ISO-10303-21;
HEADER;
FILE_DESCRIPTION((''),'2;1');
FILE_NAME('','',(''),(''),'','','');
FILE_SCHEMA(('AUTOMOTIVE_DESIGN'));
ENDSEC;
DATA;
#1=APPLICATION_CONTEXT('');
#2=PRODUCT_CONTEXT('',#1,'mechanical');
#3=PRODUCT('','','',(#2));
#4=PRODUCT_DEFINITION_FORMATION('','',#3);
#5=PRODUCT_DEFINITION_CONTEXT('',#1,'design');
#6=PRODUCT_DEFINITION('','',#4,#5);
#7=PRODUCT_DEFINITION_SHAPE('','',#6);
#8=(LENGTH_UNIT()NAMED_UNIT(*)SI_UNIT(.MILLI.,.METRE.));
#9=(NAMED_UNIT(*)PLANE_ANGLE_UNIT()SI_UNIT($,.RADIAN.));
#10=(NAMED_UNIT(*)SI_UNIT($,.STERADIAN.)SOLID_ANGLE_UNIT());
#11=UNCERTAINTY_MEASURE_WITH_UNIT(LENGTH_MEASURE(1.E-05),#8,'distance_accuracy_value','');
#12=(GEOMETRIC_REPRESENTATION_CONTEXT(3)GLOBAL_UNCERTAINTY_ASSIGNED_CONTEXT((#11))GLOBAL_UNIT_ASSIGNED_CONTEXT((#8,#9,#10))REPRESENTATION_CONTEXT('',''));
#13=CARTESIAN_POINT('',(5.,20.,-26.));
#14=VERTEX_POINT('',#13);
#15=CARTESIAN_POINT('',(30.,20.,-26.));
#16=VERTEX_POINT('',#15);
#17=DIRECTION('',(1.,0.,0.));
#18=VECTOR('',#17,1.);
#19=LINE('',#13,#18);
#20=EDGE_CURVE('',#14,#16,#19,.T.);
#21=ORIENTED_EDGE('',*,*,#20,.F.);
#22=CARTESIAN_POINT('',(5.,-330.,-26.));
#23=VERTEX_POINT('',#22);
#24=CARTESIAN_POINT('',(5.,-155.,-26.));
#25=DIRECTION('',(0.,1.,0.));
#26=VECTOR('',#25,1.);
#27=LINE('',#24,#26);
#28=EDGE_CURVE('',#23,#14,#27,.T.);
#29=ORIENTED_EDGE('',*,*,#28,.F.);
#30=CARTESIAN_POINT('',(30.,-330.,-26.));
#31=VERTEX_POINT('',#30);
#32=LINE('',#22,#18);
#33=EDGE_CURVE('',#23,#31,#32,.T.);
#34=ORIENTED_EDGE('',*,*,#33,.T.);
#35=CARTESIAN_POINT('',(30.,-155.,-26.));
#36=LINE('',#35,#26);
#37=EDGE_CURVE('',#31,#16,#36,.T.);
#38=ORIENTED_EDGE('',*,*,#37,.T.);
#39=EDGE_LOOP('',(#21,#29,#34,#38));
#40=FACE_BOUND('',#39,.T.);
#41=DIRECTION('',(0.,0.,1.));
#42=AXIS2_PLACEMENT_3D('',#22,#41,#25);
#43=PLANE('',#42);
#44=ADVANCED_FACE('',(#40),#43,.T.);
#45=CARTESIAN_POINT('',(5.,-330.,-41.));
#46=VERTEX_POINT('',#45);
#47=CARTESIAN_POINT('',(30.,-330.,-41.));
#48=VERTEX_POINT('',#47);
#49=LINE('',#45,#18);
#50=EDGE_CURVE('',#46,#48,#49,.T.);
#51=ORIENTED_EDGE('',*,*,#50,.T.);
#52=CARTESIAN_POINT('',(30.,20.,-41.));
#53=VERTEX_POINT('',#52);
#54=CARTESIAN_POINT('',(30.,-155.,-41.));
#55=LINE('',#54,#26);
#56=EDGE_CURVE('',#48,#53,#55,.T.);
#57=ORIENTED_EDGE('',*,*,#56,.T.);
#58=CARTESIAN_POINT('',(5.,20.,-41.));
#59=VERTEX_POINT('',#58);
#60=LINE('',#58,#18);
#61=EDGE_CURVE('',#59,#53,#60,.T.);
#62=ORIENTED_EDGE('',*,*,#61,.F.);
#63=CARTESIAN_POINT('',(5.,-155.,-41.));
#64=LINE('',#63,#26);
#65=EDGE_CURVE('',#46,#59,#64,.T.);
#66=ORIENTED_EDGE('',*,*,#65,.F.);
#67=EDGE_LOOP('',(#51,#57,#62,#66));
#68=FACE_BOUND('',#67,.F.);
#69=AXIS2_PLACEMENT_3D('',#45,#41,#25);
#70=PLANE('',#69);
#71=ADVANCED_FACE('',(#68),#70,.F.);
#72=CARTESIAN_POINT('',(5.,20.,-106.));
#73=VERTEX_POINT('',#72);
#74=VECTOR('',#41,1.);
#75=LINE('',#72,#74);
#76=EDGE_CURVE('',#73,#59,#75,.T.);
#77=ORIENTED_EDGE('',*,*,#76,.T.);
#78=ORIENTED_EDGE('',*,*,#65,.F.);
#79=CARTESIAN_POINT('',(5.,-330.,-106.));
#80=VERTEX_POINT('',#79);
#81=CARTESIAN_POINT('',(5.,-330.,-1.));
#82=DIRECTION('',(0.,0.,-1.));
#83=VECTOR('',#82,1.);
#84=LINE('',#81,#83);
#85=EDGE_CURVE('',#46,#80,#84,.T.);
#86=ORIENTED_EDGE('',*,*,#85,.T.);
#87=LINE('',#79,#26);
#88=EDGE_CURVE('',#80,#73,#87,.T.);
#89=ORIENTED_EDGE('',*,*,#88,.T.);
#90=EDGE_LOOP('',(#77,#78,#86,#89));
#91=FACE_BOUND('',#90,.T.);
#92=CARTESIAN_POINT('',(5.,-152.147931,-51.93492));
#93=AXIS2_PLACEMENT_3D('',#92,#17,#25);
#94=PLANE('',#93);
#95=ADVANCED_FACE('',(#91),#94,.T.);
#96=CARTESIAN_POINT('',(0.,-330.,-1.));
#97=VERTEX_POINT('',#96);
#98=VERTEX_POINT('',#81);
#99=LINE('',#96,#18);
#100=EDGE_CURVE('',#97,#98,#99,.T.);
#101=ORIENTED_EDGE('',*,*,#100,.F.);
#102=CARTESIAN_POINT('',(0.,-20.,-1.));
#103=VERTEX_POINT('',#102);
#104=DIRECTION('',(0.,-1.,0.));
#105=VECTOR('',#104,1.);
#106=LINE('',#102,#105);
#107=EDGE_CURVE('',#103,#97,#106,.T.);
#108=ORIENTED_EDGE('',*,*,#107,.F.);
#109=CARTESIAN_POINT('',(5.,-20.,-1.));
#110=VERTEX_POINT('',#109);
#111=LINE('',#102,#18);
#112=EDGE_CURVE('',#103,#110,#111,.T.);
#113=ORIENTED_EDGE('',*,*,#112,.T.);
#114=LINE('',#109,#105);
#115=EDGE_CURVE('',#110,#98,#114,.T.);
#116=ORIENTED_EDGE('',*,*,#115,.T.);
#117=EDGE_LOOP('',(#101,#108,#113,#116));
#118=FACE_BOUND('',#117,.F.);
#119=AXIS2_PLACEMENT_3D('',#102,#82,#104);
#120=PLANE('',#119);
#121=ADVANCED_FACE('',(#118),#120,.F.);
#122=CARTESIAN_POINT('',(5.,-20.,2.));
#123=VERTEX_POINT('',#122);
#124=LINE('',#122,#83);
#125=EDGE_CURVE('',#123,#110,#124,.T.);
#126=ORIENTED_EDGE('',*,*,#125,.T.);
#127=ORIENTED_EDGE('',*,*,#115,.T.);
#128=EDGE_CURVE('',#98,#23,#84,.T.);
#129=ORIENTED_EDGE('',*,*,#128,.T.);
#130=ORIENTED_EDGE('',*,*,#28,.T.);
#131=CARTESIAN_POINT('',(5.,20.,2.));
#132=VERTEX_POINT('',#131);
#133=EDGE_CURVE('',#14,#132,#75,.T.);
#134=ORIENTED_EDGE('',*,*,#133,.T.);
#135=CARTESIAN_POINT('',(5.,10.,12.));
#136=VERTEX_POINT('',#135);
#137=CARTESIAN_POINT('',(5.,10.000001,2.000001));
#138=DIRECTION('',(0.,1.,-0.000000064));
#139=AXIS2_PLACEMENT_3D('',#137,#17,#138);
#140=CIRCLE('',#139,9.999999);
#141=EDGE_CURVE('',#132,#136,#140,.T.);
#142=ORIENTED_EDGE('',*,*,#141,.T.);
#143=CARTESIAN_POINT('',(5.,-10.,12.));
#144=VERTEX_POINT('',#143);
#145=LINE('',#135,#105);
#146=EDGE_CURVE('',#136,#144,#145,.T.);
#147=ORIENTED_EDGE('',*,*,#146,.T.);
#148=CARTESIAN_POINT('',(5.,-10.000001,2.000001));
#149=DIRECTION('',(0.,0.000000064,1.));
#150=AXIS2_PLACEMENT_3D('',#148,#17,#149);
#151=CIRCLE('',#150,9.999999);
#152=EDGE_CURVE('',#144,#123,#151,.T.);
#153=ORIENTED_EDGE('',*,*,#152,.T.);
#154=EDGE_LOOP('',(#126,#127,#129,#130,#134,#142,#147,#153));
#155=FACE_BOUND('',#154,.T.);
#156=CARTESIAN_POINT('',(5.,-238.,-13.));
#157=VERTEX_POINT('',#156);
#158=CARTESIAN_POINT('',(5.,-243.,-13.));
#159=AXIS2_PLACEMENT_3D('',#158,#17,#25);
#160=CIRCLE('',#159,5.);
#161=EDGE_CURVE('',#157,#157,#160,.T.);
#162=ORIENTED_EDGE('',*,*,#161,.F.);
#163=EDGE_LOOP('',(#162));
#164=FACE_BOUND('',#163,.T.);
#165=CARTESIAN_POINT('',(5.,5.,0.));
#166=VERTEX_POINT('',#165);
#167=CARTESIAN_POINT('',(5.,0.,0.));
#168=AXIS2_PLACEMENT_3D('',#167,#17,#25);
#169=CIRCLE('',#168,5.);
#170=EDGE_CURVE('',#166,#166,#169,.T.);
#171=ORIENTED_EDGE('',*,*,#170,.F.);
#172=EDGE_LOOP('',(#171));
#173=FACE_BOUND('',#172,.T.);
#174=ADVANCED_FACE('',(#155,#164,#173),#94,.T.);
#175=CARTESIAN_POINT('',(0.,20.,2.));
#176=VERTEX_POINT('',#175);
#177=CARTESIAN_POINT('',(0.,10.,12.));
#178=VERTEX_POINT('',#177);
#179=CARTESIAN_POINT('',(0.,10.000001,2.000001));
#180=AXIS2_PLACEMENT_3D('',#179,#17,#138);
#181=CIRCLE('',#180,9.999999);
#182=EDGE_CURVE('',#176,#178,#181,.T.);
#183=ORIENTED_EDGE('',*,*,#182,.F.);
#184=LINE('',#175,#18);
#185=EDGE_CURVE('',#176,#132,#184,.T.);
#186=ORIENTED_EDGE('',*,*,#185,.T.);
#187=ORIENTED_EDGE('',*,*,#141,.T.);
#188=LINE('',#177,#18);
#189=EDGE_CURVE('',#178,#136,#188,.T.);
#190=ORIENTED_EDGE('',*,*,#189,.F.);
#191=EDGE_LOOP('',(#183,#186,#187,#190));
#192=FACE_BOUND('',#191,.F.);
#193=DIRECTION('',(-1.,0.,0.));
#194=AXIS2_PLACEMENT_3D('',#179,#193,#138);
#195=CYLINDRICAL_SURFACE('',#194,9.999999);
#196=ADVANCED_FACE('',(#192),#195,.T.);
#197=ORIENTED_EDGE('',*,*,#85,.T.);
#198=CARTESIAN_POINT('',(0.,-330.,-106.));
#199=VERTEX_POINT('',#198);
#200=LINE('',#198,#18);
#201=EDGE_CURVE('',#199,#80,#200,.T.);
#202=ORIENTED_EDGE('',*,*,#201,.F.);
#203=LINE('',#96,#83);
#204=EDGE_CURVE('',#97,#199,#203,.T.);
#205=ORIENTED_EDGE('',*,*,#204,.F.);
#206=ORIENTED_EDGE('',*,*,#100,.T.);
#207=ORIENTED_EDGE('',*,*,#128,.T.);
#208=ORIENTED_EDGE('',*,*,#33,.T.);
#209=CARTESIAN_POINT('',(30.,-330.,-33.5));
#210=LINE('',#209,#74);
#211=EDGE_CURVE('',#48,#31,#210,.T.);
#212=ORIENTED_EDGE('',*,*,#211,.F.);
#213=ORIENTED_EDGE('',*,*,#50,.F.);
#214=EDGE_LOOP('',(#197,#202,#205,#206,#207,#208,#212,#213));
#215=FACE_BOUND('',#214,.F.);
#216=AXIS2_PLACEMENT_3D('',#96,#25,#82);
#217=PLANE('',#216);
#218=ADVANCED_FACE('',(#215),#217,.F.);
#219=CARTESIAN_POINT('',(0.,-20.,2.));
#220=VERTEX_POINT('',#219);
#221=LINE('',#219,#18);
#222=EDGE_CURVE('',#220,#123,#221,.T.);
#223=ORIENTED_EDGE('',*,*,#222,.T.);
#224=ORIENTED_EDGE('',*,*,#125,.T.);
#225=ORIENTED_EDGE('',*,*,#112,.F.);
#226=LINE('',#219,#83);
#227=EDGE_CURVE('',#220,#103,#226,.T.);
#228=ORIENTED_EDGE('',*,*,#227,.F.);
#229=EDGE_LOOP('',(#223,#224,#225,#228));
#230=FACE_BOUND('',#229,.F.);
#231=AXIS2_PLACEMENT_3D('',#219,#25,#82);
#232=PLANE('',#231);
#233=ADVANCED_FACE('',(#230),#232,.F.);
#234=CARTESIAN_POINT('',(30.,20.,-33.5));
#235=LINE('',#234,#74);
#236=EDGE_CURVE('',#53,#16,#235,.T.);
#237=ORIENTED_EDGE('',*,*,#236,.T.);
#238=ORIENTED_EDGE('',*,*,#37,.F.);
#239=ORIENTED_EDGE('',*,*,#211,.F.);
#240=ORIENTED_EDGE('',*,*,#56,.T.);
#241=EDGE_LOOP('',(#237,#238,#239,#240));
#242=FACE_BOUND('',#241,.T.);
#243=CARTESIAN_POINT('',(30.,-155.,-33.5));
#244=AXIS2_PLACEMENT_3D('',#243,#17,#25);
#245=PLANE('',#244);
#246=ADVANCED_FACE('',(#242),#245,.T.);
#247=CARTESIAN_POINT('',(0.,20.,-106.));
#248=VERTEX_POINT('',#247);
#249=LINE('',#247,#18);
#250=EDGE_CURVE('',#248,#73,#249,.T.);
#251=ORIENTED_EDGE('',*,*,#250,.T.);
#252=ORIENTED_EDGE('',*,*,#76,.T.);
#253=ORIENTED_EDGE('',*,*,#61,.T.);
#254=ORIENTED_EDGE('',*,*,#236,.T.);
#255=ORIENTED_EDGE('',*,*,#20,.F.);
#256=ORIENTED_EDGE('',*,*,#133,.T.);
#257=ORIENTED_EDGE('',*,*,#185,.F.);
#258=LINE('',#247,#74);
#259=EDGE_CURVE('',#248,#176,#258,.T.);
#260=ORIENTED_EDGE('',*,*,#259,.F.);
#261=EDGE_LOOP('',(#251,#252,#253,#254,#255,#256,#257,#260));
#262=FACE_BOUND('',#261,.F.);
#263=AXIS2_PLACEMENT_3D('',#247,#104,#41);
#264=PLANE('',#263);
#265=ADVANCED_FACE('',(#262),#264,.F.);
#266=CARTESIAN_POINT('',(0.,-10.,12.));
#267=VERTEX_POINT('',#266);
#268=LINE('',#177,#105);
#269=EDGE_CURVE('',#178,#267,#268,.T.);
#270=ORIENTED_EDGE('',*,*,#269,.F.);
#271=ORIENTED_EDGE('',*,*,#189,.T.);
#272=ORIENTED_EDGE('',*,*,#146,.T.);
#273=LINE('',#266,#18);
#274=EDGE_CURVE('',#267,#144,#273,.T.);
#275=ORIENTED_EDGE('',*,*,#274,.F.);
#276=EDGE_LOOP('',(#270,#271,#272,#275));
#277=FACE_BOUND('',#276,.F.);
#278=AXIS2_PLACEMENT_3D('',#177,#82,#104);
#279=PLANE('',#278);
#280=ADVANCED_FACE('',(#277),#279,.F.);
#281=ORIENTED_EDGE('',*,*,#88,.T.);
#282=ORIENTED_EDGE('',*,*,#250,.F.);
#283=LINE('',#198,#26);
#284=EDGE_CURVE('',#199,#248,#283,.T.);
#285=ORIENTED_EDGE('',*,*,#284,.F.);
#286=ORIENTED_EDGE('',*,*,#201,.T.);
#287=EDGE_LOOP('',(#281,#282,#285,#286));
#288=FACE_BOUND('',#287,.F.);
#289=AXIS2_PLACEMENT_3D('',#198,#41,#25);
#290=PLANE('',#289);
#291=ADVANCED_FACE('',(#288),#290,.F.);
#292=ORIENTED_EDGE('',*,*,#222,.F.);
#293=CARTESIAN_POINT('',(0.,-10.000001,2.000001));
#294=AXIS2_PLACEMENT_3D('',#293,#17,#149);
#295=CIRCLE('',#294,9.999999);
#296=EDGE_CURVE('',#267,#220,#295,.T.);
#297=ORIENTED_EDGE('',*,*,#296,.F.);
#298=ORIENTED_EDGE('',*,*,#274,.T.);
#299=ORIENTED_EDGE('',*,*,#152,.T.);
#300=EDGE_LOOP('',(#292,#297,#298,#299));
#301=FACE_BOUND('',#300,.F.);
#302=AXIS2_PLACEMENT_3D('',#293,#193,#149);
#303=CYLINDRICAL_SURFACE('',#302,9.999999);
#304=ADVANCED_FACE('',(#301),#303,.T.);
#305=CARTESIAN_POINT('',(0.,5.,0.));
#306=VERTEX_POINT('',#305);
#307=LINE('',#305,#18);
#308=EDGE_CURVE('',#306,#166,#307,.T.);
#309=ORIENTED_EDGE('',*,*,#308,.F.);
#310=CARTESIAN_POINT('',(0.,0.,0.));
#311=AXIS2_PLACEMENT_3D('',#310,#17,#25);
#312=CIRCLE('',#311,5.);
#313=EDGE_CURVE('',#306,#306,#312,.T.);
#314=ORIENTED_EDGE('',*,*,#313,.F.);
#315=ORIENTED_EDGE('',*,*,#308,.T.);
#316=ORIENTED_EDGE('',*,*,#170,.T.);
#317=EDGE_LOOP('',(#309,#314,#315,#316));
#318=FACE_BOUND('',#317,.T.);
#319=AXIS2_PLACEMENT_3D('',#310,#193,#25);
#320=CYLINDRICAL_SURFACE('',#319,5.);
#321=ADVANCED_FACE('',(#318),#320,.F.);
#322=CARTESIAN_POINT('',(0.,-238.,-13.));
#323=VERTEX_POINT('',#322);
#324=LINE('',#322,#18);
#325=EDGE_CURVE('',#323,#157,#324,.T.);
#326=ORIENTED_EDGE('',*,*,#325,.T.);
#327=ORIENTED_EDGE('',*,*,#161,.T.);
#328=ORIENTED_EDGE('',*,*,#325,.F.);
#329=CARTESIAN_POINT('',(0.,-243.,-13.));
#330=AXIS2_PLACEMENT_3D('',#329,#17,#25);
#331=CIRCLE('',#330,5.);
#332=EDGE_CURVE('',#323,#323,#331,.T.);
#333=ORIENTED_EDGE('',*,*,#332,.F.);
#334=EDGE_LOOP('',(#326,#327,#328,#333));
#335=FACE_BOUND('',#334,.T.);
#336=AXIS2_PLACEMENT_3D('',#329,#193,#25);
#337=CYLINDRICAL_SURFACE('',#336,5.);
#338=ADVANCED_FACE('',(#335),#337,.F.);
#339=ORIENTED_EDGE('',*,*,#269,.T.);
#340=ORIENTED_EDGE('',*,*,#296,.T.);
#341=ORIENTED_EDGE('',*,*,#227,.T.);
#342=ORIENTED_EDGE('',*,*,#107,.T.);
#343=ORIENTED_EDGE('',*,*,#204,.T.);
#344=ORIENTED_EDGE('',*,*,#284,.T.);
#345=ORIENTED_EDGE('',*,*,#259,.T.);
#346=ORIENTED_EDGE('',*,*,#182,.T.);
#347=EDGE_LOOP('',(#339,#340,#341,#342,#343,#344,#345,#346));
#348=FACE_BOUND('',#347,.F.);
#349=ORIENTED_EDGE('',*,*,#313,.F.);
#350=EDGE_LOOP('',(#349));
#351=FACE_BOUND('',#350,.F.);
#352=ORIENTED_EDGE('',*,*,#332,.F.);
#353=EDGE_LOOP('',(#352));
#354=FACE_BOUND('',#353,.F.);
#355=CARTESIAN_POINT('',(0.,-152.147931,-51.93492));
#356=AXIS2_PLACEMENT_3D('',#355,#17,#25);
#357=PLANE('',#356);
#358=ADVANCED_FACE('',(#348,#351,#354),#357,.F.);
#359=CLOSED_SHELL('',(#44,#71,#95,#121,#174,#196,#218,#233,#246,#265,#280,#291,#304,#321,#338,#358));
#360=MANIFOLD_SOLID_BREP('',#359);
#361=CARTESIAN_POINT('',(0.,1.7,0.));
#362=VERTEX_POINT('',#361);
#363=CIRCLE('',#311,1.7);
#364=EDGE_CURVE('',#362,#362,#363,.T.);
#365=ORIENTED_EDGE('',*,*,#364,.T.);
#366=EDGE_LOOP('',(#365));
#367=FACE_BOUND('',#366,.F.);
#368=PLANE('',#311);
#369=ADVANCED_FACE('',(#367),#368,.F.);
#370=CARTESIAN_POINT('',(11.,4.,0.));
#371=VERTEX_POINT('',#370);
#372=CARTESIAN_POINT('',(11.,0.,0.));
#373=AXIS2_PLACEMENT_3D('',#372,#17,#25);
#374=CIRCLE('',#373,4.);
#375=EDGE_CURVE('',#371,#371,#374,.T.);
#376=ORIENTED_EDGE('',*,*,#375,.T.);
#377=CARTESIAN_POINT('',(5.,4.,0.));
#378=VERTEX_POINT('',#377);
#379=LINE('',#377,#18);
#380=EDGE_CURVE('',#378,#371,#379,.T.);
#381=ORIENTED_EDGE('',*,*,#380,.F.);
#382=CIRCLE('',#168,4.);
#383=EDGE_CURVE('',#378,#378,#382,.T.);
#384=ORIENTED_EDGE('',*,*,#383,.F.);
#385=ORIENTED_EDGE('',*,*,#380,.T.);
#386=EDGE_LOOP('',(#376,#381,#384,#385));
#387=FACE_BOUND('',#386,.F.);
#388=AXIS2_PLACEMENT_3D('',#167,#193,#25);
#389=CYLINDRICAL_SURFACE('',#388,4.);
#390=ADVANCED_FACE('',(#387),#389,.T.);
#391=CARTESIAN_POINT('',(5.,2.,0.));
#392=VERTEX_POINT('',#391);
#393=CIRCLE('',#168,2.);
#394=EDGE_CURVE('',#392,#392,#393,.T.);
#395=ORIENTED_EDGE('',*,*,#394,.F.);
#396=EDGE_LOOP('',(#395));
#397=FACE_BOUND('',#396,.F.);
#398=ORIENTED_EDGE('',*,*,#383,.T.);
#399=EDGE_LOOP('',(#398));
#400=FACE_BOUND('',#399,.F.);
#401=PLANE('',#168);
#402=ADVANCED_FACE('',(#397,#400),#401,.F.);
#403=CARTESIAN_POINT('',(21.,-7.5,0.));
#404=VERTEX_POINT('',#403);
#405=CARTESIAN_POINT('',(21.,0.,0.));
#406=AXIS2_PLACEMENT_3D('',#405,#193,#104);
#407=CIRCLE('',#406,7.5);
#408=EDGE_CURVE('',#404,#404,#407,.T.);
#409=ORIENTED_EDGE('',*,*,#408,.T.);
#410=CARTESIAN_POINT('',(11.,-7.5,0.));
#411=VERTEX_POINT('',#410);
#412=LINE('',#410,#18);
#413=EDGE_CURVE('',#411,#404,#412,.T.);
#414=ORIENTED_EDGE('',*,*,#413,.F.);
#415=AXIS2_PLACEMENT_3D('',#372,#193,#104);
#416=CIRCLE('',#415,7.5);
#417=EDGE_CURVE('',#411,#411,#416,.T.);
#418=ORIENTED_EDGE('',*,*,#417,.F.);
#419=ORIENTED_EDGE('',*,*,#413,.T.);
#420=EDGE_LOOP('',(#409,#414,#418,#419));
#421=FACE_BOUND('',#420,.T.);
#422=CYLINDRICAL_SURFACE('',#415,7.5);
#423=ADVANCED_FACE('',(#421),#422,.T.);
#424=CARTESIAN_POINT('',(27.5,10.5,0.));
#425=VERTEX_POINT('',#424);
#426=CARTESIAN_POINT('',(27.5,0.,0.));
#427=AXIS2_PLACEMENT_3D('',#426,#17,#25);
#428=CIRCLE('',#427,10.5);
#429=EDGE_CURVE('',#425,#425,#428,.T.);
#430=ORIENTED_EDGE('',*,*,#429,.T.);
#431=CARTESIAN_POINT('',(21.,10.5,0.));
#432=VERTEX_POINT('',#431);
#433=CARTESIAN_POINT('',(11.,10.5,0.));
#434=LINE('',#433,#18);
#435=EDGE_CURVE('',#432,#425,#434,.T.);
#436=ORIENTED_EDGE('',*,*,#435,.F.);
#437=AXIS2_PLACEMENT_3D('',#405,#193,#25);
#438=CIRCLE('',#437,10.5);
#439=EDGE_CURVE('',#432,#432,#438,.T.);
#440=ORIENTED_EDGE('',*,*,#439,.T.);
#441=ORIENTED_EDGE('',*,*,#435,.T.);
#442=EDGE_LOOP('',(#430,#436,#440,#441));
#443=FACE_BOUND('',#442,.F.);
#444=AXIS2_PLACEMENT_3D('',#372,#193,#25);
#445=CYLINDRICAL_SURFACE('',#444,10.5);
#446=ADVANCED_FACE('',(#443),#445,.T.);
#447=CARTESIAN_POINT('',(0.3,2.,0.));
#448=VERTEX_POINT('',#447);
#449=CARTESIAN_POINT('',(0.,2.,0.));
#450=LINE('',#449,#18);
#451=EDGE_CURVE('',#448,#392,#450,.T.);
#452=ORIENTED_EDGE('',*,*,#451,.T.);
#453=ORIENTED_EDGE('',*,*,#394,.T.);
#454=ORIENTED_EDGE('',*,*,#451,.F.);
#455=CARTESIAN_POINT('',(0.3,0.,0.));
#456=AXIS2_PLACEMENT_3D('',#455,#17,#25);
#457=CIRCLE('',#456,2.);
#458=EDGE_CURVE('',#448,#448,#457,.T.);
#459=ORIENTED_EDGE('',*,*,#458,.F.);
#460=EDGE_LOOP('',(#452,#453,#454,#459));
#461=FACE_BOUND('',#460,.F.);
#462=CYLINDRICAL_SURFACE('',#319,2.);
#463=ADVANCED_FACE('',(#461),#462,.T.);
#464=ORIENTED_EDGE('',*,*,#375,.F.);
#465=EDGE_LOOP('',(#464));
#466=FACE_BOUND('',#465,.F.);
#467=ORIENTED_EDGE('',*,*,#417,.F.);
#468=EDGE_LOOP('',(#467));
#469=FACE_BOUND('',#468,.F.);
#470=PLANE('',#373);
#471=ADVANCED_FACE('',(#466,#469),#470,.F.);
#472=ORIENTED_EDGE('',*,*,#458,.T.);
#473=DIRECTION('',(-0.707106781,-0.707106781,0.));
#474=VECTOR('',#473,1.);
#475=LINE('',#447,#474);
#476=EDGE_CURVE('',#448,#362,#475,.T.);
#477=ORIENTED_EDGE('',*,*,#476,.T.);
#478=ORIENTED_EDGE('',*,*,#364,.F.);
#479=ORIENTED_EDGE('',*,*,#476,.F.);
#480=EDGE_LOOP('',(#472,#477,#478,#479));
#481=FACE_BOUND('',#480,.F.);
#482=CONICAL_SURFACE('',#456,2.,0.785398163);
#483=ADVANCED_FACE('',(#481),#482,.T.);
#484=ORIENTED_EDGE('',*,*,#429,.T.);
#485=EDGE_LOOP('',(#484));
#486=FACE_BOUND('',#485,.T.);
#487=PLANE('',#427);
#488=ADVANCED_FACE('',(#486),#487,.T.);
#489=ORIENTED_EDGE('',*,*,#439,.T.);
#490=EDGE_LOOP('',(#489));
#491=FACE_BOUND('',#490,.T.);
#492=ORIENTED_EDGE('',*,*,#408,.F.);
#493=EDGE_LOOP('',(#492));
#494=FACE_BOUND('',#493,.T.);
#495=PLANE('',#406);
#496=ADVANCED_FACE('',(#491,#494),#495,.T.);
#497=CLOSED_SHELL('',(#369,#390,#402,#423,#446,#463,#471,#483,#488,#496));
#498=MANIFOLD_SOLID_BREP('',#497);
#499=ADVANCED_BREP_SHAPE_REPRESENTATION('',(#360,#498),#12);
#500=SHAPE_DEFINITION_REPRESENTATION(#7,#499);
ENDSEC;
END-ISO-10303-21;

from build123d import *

# Parameters (mm, degrees)
F0_R      = 5
F1_DEPTH  = 5
F2_W      = 350
F2_H      = 15
F3_DEPTH  = 25
F4_R      = 2
F5_DEPTH  = 5
F6_R      = 4
F7_DEPTH  = 6
F8_R      = 10.5
F9_DEPTH  = 16.5
F10_R     = 12.131936
F10_R_2   = 7.5
F11_DEPTH = 10
F12_SIZE  = 0.3


with BuildPart() as f1:
    # F0 (on Right) → F1 (new body)
    with BuildSketch(Plane.YZ):
        with BuildLine():
            Line((-20, -1), (-330, -1))
            Line((-330, -1), (-330, -106))
            Line((-330, -106), (20, -106))
            Line((20, -106), (20, 2))
            ThreePointArc((20, 2), (17.071068, 9.071068), (10, 12))
            Line((10, 12), (-10, 12))
            ThreePointArc((-10, 12), (-17.071068, 9.071068), (-20, 2))
            Line((-20, 2), (-20, -1))
        make_face()
        with Locations((-243, -13)):
            Circle(F0_R, mode=Mode.SUBTRACT)
        Circle(F0_R, mode=Mode.SUBTRACT)
    extrude(amount=F1_DEPTH)

    # F2 (on face) → F3 (join)
    with BuildSketch(Plane.YZ.offset(5)):
        with Locations((-155, -33.5)):
            Rectangle(F2_W, F2_H)
    extrude(amount=F3_DEPTH)


with BuildPart() as f5:
    # F4 (on Right) → F5 (new body)
    with BuildSketch(Plane.YZ):
        Circle(F4_R)
    extrude(amount=F5_DEPTH)

    # F6 (on face) → F7 (join)
    with BuildSketch(Plane.YZ.offset(5)):
        Circle(F6_R)
    extrude(amount=F7_DEPTH)

    # F8 (on face) → F9 (join)
    with BuildSketch(Plane.YZ.offset(11)):
        Circle(F8_R)
    extrude(amount=F9_DEPTH)

    # F10 (on face) → F11 (cut)
    with BuildSketch(Plane(origin=(11, 0, 0), x_dir=(0, -1, 0), z_dir=(-1, 0, 0))):
        Circle(F10_R)
        Circle(F10_R_2, mode=Mode.SUBTRACT)
    extrude(amount=-F11_DEPTH, mode=Mode.SUBTRACT)

    # F12
    f12_edges = [f5.edges().sort_by_distance(p)[0] for p in [
        (0, -2, 0),
    ]]
    chamfer(f12_edges, length=F12_SIZE)


solid = Compound([f1.part, f5.part])
